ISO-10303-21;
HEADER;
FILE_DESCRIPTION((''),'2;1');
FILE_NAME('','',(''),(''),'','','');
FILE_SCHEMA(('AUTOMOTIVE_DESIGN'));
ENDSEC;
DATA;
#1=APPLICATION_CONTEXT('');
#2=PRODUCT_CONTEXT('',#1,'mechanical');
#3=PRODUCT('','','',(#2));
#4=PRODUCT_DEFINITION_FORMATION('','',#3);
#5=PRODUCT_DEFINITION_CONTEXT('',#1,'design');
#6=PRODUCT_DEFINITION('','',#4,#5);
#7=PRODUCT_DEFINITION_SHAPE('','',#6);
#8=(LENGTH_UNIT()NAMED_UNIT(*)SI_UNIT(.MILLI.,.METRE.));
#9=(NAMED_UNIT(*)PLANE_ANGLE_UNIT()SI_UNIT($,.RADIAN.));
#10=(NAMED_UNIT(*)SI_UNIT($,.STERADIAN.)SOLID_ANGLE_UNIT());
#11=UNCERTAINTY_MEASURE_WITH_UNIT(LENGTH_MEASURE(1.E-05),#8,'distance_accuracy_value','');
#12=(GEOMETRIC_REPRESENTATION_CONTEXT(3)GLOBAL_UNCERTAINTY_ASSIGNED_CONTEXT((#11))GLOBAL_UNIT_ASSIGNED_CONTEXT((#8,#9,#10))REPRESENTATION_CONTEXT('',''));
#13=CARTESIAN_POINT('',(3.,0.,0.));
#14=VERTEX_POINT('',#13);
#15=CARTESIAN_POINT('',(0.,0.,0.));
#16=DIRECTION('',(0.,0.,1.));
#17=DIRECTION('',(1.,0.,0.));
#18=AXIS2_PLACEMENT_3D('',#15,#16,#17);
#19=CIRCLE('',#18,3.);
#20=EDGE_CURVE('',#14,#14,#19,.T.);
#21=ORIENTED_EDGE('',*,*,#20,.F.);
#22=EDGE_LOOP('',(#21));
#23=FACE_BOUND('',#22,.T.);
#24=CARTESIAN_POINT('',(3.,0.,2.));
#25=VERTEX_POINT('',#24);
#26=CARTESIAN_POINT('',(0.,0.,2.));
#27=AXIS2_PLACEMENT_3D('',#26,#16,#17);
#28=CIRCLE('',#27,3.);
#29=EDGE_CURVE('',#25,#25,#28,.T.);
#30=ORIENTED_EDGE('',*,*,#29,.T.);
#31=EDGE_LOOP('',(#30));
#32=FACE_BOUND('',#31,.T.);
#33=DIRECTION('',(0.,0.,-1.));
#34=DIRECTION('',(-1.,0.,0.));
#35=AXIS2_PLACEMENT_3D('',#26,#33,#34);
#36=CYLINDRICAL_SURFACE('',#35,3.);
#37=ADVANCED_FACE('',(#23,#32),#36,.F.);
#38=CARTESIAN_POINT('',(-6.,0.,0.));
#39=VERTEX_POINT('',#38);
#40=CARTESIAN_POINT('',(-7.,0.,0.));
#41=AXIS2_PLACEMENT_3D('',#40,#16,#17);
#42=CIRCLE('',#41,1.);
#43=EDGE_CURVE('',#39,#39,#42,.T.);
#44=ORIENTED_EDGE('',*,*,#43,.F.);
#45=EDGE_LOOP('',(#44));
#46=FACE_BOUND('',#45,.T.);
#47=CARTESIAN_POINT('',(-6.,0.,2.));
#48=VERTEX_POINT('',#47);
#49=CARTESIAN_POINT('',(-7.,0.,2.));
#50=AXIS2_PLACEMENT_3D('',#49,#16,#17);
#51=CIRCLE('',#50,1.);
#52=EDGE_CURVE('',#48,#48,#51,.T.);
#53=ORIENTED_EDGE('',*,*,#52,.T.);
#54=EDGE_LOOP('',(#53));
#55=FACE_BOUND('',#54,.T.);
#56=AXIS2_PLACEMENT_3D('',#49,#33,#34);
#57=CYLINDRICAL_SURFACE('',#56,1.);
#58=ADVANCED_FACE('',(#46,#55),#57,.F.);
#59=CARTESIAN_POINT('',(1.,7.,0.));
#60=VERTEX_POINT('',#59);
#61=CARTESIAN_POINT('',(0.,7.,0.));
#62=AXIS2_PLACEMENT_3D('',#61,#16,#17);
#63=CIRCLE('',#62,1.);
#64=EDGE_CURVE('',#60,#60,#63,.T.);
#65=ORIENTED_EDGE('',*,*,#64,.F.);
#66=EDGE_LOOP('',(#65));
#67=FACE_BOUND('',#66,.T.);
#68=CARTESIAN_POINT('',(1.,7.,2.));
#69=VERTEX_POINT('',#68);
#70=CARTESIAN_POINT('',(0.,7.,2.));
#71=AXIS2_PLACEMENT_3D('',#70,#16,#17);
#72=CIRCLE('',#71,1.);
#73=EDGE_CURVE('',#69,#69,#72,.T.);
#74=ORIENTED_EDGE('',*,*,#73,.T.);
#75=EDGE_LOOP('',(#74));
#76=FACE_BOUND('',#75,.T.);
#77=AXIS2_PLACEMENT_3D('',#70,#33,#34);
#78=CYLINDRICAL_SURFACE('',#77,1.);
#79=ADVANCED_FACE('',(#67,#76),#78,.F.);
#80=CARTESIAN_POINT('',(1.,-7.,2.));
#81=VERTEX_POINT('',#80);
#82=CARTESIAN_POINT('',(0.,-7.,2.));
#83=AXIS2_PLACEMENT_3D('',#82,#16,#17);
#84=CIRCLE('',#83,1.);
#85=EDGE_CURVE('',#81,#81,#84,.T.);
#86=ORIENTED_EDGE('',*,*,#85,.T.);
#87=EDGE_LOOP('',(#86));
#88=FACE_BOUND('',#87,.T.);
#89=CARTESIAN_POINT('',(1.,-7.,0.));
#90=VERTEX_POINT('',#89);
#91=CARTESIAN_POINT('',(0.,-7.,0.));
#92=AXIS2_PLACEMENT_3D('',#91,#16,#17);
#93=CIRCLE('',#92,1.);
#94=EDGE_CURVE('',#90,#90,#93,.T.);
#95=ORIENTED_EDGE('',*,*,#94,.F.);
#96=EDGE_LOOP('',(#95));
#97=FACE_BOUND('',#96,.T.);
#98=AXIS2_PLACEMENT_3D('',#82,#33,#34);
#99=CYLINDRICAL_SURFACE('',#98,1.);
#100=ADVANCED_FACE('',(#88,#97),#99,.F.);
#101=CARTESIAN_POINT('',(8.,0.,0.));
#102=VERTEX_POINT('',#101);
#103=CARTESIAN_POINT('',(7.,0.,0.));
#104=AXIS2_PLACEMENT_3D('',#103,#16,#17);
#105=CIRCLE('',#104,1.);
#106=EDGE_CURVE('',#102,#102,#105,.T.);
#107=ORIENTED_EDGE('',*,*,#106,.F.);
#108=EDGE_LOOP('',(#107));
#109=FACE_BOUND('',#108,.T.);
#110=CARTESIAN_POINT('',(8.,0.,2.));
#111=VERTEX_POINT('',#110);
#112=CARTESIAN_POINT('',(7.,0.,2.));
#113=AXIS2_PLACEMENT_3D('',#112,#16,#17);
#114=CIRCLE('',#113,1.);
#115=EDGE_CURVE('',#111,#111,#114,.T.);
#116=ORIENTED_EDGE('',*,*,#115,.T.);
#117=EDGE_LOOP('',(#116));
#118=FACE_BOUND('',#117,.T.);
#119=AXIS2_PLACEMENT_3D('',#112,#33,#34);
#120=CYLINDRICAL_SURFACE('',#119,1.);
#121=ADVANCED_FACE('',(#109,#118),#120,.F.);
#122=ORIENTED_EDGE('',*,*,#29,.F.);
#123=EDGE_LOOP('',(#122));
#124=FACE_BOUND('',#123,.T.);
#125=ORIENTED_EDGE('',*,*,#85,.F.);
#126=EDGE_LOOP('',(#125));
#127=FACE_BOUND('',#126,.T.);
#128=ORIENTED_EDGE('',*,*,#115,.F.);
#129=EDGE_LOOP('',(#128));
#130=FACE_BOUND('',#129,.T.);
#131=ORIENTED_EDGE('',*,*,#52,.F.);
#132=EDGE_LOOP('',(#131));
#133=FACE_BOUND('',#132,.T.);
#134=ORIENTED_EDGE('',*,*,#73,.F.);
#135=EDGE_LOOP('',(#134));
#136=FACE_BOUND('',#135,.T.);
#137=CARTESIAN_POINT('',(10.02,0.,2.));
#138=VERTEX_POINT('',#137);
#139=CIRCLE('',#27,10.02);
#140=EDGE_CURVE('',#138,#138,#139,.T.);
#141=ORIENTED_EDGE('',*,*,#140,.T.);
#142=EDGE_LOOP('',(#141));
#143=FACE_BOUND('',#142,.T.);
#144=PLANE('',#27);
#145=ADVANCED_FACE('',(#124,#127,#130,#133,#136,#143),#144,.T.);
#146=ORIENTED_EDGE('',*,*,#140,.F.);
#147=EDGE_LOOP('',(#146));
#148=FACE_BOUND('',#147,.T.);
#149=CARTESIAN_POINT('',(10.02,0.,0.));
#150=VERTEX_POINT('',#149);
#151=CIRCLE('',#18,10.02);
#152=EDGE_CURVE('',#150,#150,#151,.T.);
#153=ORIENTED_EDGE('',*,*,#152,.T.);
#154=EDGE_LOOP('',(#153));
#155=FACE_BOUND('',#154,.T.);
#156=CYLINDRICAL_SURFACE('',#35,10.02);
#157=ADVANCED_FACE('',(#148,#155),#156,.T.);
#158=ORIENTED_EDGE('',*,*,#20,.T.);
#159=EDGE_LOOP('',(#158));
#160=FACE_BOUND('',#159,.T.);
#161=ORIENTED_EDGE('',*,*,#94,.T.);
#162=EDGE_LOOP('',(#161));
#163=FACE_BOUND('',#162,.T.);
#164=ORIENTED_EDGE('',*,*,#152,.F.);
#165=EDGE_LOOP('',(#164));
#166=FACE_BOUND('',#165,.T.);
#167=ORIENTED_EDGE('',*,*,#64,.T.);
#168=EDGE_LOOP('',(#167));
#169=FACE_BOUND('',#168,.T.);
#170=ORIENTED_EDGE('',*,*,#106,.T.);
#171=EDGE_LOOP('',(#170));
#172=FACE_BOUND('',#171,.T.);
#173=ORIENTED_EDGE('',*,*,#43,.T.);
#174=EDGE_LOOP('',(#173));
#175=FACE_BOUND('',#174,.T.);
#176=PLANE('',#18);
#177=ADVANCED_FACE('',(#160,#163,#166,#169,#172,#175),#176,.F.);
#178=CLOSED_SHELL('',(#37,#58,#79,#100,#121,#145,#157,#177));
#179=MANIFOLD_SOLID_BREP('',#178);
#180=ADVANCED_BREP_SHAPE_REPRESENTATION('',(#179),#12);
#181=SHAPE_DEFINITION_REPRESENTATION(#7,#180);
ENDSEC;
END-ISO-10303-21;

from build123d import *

# Parameters (mm, degrees)
SKETCH1_R           = 10.02
SKETCH1_R_2         = 3
SKETCH1_R_3         = 1
BOSS_EXTRUDE1_DEPTH = 2


with BuildPart() as part:
    # Sketch1 → Boss-Extrude1 (new body)
    with BuildSketch(Plane.XY):
        Circle(SKETCH1_R)
        Circle(SKETCH1_R_2, mode=Mode.SUBTRACT)
        with Locations((0, 7)):
            Circle(SKETCH1_R_3, mode=Mode.SUBTRACT)
        with Locations((7, 0)):
            Circle(SKETCH1_R_3, mode=Mode.SUBTRACT)
        with Locations((0, -7)):
            Circle(SKETCH1_R_3, mode=Mode.SUBTRACT)
        with Locations((-7, 0)):
            Circle(SKETCH1_R_3, mode=Mode.SUBTRACT)
    extrude(amount=BOSS_EXTRUDE1_DEPTH)


solid = part.part
